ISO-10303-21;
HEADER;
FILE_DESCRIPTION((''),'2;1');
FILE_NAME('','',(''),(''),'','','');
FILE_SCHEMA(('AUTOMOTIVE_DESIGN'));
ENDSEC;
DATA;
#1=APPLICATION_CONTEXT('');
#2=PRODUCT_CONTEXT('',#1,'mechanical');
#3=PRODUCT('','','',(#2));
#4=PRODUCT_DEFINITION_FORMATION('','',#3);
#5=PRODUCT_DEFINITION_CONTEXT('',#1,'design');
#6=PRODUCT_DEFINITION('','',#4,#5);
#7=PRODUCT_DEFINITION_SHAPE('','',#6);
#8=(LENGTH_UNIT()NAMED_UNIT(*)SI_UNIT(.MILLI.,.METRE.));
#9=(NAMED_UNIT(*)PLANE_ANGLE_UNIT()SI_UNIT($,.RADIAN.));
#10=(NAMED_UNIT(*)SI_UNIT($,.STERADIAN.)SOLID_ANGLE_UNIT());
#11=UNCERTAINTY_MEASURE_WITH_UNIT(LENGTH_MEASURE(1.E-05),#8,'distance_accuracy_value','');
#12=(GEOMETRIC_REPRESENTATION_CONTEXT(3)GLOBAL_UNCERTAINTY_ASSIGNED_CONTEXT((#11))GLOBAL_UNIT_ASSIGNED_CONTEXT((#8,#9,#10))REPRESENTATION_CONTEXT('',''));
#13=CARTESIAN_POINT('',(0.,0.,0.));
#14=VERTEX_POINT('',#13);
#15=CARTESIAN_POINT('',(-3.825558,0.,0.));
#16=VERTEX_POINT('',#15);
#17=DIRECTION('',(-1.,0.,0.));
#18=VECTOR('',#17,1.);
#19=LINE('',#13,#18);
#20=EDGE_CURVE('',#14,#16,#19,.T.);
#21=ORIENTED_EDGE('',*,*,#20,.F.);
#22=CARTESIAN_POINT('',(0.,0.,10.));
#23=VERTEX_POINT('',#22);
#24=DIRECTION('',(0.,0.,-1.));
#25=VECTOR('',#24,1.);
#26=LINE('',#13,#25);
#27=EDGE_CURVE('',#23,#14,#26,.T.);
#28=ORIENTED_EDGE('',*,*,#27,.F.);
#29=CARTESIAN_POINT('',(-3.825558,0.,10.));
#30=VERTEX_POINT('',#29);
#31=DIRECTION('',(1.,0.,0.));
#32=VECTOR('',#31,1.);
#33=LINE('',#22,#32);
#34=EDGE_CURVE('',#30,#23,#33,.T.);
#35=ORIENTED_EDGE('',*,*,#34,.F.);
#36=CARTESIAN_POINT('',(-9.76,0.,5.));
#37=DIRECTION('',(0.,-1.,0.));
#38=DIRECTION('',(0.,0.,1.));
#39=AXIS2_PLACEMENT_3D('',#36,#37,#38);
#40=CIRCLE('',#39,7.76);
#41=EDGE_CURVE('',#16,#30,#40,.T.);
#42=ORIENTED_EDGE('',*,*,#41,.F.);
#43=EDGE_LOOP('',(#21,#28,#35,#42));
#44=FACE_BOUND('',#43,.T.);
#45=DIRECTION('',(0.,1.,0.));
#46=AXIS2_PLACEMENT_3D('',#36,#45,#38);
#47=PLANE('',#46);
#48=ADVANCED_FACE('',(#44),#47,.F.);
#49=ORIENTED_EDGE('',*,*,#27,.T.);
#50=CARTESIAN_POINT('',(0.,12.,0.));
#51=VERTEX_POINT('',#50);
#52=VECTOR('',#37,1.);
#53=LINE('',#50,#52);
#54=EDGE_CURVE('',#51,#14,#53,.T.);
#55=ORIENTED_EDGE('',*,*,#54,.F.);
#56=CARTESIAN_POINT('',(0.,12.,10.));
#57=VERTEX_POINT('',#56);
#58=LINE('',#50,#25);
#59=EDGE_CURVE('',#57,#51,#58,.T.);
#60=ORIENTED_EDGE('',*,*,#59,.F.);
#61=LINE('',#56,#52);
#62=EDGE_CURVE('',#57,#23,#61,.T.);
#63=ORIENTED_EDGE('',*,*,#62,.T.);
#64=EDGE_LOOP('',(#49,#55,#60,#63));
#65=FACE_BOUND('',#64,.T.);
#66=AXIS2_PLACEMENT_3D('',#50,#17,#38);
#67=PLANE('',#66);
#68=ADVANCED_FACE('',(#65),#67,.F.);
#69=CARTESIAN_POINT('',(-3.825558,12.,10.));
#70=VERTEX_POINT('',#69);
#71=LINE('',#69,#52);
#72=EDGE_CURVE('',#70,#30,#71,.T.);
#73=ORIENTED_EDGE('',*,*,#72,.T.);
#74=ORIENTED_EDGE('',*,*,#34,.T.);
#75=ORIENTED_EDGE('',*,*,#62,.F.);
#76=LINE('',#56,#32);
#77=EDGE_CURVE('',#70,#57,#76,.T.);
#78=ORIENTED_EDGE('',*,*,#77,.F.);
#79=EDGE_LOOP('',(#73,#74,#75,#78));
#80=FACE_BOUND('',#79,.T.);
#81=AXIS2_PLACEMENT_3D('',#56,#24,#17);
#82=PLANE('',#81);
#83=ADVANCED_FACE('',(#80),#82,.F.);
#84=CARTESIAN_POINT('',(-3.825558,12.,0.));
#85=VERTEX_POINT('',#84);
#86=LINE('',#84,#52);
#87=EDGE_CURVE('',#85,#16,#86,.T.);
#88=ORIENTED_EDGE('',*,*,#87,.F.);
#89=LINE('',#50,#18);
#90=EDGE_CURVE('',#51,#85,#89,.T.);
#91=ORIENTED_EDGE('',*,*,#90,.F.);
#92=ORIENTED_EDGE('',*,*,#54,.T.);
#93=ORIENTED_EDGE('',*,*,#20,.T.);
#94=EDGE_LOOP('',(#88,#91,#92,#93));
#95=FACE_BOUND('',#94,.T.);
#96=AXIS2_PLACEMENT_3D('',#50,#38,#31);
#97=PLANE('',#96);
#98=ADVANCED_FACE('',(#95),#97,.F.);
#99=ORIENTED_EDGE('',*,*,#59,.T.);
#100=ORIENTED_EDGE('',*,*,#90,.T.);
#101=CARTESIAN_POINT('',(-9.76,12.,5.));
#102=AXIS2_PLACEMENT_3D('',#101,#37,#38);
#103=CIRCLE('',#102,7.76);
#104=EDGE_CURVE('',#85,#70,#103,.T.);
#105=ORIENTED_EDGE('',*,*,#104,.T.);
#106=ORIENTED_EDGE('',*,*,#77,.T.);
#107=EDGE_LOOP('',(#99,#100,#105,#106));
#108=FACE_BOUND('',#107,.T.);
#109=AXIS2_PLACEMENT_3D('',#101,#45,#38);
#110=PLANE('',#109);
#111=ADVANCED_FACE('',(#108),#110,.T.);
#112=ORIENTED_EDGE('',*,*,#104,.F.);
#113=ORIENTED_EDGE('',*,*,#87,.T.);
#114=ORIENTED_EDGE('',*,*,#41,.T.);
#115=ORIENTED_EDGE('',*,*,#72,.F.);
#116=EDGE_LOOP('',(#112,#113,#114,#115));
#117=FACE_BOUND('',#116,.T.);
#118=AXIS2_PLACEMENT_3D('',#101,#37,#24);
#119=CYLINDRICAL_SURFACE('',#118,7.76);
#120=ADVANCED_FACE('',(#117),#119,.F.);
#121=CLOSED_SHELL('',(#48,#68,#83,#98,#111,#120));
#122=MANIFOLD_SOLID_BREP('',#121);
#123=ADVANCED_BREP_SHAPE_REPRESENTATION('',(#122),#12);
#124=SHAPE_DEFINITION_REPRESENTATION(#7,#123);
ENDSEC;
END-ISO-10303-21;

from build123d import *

# Parameters (mm, degrees)
EXTRUDE_1_DEPTH = 12


with BuildPart() as part:
    # 草图1 → 凸台-拉伸1 (new body)
    with BuildSketch(Plane(origin=(0, 0, 0), x_dir=(1, 0, 0), z_dir=(0, 1, 0))):
        with BuildLine():
            Line((0, 0), (0, -10))
            Line((0, -10), (-3.825558156, -10))
            ThreePointArc((-3.825558156, -10), (-2, -5), (-3.825558156, 0))
            Line((-3.825558156, 0), (0, 0))
        make_face()
    extrude(amount=EXTRUDE_1_DEPTH)


solid = part.part
